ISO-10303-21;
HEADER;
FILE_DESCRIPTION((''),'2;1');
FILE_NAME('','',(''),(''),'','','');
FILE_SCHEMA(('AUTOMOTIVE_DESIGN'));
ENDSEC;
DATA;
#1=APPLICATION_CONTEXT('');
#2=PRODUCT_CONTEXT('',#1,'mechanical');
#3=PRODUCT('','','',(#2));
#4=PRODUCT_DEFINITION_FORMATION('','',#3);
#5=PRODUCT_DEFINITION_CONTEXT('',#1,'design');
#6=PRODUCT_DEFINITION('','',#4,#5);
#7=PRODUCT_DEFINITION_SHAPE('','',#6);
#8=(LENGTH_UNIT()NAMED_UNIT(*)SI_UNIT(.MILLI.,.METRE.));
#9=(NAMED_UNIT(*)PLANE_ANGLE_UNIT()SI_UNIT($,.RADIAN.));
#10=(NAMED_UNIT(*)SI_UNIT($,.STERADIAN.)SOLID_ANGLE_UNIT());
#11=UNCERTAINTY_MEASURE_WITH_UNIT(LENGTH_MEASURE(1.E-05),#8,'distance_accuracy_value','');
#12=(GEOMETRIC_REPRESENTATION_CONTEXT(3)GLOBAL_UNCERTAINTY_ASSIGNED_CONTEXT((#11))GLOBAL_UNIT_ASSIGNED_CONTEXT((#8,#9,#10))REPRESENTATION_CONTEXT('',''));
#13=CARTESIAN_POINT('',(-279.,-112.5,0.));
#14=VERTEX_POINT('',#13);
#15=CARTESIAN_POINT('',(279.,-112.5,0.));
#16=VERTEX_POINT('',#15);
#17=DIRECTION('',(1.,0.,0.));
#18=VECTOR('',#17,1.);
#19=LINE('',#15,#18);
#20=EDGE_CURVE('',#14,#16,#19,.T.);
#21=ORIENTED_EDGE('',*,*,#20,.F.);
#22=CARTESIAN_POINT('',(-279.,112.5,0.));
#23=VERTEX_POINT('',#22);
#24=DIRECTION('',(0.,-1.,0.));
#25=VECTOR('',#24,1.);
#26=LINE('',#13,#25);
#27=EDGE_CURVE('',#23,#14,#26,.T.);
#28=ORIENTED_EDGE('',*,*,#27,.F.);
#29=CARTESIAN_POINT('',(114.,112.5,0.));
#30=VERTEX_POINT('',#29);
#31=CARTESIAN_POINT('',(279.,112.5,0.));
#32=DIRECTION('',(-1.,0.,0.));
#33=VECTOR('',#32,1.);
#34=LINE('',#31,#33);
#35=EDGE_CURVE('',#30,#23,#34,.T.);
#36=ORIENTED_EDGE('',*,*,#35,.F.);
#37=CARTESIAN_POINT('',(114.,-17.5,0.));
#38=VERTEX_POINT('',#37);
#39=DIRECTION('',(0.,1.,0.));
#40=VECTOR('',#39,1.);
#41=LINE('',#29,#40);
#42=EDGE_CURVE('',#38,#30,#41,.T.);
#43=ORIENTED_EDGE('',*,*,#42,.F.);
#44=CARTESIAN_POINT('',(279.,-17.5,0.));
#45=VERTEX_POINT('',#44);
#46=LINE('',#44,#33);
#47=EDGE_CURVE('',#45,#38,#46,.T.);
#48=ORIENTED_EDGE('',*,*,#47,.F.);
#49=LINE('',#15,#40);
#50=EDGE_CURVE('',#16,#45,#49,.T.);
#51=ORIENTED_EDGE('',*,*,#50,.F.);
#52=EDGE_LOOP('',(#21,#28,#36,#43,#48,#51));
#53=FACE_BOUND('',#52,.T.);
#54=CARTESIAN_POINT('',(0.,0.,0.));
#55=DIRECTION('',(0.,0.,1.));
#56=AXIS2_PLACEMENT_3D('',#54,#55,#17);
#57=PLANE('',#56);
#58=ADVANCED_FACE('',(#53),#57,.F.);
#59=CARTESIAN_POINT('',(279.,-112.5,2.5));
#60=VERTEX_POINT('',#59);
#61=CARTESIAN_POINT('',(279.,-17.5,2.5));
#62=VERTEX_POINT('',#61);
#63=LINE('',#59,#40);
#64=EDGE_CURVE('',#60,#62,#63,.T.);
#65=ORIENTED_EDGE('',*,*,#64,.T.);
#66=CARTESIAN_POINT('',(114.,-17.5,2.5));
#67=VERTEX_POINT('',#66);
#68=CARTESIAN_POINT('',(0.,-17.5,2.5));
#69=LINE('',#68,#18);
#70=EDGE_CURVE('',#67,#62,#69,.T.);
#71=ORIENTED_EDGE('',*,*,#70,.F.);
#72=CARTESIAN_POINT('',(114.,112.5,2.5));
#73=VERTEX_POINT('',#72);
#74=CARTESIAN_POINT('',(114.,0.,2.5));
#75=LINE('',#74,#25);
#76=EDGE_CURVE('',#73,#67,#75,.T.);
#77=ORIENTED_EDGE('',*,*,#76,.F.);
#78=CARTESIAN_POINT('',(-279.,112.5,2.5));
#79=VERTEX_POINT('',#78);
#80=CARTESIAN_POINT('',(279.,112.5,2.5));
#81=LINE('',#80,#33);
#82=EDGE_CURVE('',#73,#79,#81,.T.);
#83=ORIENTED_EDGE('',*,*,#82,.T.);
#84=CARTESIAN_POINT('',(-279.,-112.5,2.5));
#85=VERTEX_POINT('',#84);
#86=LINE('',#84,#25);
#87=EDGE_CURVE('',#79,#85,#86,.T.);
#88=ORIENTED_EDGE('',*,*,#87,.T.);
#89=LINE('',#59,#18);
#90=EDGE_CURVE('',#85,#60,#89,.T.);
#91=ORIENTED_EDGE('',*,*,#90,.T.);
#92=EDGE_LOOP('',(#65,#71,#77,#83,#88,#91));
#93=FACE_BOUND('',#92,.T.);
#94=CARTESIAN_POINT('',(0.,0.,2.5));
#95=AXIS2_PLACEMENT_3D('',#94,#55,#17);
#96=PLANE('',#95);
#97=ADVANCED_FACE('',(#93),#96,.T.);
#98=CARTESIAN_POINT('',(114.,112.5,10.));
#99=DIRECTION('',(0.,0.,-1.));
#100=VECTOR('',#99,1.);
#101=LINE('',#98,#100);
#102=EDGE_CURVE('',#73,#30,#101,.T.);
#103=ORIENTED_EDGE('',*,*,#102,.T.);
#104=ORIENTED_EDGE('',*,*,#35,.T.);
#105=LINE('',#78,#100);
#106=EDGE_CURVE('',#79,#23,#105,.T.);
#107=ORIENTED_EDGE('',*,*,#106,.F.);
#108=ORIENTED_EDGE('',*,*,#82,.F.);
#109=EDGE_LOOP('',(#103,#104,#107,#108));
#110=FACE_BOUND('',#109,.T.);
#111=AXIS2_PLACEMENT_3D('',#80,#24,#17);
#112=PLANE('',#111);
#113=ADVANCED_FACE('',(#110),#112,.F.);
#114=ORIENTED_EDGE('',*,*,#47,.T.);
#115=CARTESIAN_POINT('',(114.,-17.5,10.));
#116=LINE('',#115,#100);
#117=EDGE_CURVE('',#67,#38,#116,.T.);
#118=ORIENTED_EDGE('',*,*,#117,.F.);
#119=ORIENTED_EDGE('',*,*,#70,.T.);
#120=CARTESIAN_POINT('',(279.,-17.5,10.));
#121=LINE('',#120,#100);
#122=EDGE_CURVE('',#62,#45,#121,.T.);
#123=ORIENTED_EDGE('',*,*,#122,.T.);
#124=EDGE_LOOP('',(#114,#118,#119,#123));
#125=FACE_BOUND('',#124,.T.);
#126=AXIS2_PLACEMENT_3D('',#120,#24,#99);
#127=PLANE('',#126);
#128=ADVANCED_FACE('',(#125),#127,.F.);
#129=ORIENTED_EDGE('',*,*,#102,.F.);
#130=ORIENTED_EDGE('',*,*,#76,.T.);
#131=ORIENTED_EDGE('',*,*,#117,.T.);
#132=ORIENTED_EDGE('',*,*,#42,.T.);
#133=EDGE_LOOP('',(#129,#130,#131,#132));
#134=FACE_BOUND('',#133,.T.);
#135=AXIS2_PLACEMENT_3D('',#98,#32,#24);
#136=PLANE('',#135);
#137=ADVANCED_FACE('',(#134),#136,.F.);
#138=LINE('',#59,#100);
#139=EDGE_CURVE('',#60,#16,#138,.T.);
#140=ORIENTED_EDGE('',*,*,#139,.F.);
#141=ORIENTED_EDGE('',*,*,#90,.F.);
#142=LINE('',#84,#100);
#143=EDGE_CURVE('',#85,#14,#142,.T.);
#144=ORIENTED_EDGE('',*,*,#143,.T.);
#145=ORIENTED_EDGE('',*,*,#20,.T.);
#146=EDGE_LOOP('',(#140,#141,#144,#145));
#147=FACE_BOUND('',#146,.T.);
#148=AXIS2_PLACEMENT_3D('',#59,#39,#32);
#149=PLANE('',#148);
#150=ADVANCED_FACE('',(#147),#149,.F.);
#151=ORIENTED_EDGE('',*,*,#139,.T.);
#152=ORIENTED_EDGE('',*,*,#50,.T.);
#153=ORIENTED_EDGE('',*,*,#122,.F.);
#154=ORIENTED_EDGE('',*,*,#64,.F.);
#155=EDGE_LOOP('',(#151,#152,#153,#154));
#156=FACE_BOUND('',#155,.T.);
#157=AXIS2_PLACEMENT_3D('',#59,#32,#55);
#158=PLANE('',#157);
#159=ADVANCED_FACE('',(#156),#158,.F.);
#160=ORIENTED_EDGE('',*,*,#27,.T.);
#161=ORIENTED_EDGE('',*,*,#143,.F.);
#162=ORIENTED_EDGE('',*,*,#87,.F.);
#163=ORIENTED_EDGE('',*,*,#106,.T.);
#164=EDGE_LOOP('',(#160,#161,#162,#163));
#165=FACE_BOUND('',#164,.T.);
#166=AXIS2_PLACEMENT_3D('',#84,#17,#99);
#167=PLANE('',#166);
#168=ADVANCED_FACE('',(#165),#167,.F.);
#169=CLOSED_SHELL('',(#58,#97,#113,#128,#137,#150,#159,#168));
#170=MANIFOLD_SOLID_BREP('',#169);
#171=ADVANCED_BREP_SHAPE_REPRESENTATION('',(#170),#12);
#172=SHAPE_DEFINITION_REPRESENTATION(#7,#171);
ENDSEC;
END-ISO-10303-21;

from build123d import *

# Parameters (mm, degrees)
SCHIZZO1_W                   = 558
SCHIZZO1_H                   = 225
ESTRUSIONE_ESTRUSIONE1_DEPTH = 2.5
SCHIZZO2_W                   = 165
SCHIZZO2_H                   = 130
TAGLIO_ESTRUSIONE1_DEPTH     = 10


with BuildPart() as part:
    # Schizzo1 → Estrusione-Estrusione1 (new body)
    with BuildSketch(Plane.XY):
        Rectangle(SCHIZZO1_W, SCHIZZO1_H)
    extrude(amount=ESTRUSIONE_ESTRUSIONE1_DEPTH)

    # Schizzo2 → Taglio-Estrusione1 (cut)
    with BuildSketch(Plane(origin=(0, 0, 0), x_dir=(-1, 0, 0), z_dir=(0, 0, -1))):
        with Locations((-196.5, 47.5)):
            Rectangle(SCHIZZO2_W, SCHIZZO2_H)
    extrude(amount=-TAGLIO_ESTRUSIONE1_DEPTH, mode=Mode.SUBTRACT)


solid = part.part
